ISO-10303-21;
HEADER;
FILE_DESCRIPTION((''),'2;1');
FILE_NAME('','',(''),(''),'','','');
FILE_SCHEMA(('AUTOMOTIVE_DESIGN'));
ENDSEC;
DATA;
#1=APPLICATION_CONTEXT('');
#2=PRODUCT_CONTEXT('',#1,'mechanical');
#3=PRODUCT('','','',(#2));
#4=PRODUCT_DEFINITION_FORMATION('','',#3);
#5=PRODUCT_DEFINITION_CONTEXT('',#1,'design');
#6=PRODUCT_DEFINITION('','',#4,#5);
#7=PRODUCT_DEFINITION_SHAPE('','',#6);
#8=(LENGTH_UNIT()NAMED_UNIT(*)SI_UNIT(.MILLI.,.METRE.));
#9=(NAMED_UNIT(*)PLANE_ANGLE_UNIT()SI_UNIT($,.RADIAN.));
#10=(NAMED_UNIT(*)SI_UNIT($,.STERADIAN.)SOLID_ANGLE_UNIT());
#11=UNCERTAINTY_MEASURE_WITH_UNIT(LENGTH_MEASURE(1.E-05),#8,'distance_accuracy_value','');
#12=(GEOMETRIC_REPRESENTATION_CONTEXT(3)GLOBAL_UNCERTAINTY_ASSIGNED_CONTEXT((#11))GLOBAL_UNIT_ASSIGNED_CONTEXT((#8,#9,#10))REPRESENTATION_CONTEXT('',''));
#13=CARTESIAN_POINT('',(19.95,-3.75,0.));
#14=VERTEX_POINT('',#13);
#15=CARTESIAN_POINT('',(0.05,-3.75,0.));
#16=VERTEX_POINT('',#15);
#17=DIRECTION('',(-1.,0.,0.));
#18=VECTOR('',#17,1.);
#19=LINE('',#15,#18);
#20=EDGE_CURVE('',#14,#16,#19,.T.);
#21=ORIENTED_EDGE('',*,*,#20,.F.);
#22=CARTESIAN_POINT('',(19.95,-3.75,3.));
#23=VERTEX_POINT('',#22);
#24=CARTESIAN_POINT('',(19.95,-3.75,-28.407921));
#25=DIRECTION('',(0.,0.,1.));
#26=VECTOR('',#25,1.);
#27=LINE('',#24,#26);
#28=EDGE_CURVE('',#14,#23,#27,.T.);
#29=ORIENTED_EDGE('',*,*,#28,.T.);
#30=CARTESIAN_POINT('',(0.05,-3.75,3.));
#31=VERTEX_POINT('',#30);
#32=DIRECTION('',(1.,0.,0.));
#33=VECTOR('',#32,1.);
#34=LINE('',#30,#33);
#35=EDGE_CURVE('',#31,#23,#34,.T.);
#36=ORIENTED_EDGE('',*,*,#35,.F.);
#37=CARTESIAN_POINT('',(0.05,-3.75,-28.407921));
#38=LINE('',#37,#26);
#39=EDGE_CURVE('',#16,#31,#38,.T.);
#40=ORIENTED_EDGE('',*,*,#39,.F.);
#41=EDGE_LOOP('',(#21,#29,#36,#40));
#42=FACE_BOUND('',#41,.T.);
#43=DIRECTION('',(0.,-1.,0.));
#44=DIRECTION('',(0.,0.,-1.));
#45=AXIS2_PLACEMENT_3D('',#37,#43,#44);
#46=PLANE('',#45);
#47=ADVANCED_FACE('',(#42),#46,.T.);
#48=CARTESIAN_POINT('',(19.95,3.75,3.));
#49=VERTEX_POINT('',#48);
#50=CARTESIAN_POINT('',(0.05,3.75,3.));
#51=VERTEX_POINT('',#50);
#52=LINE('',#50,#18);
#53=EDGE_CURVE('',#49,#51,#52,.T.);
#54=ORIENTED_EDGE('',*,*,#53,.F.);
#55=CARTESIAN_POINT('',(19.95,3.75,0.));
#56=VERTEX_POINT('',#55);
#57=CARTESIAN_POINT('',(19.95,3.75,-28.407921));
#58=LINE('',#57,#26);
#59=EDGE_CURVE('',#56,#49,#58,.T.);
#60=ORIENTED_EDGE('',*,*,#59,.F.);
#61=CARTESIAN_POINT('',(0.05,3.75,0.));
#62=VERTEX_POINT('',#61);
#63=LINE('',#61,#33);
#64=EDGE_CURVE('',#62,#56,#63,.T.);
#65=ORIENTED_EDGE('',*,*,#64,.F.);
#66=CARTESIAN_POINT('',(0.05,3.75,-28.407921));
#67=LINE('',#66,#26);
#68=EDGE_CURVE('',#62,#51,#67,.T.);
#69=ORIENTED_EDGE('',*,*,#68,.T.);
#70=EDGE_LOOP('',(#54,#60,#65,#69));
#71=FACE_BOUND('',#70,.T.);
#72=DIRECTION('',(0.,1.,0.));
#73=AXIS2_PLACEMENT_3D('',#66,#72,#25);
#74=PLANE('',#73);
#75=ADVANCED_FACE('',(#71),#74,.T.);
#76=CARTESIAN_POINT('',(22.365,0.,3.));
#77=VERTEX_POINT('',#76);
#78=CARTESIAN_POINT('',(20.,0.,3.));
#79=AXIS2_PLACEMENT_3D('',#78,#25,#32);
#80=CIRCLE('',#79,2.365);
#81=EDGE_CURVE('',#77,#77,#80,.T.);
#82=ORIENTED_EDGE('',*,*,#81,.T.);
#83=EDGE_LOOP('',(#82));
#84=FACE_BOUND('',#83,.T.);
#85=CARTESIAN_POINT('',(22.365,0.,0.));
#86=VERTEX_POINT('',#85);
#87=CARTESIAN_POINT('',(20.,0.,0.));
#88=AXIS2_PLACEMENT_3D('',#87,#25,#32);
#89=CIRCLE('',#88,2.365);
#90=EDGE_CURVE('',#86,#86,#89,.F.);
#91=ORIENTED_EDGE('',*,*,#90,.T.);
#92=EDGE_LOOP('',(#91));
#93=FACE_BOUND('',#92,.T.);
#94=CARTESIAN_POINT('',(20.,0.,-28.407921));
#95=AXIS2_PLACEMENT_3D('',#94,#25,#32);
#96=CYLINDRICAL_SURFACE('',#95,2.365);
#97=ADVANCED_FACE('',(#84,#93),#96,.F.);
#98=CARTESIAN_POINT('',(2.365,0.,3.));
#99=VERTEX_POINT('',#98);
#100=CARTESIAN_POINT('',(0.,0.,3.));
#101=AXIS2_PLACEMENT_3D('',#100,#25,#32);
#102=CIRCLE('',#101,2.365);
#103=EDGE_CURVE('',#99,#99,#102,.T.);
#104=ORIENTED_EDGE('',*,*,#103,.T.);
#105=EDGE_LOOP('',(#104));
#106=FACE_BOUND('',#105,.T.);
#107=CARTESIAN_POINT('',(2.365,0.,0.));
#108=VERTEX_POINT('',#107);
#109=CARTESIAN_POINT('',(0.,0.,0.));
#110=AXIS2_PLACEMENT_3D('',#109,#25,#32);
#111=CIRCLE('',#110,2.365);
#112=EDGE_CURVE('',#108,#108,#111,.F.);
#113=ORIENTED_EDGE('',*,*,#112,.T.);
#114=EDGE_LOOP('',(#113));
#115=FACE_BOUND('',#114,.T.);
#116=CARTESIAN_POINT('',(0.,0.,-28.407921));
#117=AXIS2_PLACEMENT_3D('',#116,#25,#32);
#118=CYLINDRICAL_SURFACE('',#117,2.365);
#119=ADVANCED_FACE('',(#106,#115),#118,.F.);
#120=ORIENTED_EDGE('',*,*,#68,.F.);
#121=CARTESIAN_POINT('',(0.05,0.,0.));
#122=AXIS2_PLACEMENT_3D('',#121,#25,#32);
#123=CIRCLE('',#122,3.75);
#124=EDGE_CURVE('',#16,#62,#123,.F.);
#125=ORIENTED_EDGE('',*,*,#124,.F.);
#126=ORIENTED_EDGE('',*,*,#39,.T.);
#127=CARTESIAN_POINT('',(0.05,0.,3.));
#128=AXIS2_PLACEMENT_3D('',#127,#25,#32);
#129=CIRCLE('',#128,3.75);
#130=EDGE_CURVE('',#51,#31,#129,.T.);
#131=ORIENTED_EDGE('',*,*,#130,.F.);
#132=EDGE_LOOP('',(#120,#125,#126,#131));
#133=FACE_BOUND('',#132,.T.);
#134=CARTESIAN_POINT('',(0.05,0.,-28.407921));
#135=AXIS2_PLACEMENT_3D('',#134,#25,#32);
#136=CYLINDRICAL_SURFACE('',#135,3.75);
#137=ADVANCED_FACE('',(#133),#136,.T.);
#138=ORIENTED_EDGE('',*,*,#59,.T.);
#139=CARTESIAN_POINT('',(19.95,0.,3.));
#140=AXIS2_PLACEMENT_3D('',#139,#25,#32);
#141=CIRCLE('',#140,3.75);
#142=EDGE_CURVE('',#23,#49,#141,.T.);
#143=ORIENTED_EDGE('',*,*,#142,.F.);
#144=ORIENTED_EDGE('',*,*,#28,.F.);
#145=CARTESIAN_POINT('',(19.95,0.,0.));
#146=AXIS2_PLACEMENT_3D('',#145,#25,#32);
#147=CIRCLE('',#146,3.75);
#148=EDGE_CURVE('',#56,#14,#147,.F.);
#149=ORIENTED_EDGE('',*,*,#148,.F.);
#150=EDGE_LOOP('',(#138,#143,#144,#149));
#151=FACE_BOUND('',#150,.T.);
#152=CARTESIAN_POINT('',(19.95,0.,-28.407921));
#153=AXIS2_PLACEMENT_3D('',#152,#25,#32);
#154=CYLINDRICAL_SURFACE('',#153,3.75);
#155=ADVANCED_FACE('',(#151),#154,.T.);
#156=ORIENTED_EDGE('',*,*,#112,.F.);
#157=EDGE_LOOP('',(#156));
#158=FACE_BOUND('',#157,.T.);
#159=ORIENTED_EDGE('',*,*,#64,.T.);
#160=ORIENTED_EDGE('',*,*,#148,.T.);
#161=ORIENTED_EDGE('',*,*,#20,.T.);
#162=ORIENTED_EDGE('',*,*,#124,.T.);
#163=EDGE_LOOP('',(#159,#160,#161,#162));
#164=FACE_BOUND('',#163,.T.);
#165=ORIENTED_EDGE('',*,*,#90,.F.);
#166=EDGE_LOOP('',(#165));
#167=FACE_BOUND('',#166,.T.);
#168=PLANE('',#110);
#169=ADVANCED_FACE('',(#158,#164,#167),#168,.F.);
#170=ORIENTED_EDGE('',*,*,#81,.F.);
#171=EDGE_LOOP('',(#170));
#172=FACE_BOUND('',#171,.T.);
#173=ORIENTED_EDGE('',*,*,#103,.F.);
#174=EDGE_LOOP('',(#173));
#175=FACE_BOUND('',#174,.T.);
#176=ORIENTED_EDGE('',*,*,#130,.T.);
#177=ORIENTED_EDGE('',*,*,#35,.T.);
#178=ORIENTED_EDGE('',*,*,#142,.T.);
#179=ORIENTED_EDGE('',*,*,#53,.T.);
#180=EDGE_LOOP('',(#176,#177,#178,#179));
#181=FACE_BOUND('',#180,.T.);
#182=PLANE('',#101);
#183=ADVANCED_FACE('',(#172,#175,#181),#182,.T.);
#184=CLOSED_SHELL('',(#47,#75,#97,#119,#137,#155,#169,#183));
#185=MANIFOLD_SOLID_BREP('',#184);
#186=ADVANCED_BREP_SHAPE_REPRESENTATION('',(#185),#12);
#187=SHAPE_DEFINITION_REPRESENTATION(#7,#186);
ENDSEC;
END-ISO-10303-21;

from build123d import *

# Parameters (mm, degrees)
SKETCH1_R           = 2.395
BOSS_EXTRUDE1_DEPTH = 3
SKETCH2_R           = 2.365
BOSS_EXTRUDE2_DEPTH = 3


with BuildPart() as part:
    # Sketch1 → Boss-Extrude1 (new body)
    with BuildSketch(Plane.XY):
        with BuildLine():
            Line((0, 3), (20, 3))
            ThreePointArc((20, 3), (23, 0), (20, -3))
            Line((20, -3), (0, -3))
            ThreePointArc((0, -3), (-3, 0), (0, 3))
        make_face()
        Circle(SKETCH1_R, mode=Mode.SUBTRACT)
        with Locations((20, 0)):
            Circle(SKETCH1_R, mode=Mode.SUBTRACT)
    extrude(amount=BOSS_EXTRUDE1_DEPTH)

    # Sketch2 → Boss-Extrude2 (add)
    with BuildSketch(Plane.XY.offset(3)):
        with BuildLine():
            Line((0.05, 3.75), (19.95, 3.75))
            ThreePointArc((19.95, 3.75), (23.7, 0), (19.95, -3.75))
            Line((19.95, -3.75), (0.05, -3.75))
            ThreePointArc((0.05, -3.75), (-3.7, 0), (0.05, 3.75))
        make_face()
        Circle(SKETCH2_R, mode=Mode.SUBTRACT)
        with Locations((20, 0)):
            Circle(SKETCH2_R, mode=Mode.SUBTRACT)
    extrude(amount=-BOSS_EXTRUDE2_DEPTH)


solid = part.part
